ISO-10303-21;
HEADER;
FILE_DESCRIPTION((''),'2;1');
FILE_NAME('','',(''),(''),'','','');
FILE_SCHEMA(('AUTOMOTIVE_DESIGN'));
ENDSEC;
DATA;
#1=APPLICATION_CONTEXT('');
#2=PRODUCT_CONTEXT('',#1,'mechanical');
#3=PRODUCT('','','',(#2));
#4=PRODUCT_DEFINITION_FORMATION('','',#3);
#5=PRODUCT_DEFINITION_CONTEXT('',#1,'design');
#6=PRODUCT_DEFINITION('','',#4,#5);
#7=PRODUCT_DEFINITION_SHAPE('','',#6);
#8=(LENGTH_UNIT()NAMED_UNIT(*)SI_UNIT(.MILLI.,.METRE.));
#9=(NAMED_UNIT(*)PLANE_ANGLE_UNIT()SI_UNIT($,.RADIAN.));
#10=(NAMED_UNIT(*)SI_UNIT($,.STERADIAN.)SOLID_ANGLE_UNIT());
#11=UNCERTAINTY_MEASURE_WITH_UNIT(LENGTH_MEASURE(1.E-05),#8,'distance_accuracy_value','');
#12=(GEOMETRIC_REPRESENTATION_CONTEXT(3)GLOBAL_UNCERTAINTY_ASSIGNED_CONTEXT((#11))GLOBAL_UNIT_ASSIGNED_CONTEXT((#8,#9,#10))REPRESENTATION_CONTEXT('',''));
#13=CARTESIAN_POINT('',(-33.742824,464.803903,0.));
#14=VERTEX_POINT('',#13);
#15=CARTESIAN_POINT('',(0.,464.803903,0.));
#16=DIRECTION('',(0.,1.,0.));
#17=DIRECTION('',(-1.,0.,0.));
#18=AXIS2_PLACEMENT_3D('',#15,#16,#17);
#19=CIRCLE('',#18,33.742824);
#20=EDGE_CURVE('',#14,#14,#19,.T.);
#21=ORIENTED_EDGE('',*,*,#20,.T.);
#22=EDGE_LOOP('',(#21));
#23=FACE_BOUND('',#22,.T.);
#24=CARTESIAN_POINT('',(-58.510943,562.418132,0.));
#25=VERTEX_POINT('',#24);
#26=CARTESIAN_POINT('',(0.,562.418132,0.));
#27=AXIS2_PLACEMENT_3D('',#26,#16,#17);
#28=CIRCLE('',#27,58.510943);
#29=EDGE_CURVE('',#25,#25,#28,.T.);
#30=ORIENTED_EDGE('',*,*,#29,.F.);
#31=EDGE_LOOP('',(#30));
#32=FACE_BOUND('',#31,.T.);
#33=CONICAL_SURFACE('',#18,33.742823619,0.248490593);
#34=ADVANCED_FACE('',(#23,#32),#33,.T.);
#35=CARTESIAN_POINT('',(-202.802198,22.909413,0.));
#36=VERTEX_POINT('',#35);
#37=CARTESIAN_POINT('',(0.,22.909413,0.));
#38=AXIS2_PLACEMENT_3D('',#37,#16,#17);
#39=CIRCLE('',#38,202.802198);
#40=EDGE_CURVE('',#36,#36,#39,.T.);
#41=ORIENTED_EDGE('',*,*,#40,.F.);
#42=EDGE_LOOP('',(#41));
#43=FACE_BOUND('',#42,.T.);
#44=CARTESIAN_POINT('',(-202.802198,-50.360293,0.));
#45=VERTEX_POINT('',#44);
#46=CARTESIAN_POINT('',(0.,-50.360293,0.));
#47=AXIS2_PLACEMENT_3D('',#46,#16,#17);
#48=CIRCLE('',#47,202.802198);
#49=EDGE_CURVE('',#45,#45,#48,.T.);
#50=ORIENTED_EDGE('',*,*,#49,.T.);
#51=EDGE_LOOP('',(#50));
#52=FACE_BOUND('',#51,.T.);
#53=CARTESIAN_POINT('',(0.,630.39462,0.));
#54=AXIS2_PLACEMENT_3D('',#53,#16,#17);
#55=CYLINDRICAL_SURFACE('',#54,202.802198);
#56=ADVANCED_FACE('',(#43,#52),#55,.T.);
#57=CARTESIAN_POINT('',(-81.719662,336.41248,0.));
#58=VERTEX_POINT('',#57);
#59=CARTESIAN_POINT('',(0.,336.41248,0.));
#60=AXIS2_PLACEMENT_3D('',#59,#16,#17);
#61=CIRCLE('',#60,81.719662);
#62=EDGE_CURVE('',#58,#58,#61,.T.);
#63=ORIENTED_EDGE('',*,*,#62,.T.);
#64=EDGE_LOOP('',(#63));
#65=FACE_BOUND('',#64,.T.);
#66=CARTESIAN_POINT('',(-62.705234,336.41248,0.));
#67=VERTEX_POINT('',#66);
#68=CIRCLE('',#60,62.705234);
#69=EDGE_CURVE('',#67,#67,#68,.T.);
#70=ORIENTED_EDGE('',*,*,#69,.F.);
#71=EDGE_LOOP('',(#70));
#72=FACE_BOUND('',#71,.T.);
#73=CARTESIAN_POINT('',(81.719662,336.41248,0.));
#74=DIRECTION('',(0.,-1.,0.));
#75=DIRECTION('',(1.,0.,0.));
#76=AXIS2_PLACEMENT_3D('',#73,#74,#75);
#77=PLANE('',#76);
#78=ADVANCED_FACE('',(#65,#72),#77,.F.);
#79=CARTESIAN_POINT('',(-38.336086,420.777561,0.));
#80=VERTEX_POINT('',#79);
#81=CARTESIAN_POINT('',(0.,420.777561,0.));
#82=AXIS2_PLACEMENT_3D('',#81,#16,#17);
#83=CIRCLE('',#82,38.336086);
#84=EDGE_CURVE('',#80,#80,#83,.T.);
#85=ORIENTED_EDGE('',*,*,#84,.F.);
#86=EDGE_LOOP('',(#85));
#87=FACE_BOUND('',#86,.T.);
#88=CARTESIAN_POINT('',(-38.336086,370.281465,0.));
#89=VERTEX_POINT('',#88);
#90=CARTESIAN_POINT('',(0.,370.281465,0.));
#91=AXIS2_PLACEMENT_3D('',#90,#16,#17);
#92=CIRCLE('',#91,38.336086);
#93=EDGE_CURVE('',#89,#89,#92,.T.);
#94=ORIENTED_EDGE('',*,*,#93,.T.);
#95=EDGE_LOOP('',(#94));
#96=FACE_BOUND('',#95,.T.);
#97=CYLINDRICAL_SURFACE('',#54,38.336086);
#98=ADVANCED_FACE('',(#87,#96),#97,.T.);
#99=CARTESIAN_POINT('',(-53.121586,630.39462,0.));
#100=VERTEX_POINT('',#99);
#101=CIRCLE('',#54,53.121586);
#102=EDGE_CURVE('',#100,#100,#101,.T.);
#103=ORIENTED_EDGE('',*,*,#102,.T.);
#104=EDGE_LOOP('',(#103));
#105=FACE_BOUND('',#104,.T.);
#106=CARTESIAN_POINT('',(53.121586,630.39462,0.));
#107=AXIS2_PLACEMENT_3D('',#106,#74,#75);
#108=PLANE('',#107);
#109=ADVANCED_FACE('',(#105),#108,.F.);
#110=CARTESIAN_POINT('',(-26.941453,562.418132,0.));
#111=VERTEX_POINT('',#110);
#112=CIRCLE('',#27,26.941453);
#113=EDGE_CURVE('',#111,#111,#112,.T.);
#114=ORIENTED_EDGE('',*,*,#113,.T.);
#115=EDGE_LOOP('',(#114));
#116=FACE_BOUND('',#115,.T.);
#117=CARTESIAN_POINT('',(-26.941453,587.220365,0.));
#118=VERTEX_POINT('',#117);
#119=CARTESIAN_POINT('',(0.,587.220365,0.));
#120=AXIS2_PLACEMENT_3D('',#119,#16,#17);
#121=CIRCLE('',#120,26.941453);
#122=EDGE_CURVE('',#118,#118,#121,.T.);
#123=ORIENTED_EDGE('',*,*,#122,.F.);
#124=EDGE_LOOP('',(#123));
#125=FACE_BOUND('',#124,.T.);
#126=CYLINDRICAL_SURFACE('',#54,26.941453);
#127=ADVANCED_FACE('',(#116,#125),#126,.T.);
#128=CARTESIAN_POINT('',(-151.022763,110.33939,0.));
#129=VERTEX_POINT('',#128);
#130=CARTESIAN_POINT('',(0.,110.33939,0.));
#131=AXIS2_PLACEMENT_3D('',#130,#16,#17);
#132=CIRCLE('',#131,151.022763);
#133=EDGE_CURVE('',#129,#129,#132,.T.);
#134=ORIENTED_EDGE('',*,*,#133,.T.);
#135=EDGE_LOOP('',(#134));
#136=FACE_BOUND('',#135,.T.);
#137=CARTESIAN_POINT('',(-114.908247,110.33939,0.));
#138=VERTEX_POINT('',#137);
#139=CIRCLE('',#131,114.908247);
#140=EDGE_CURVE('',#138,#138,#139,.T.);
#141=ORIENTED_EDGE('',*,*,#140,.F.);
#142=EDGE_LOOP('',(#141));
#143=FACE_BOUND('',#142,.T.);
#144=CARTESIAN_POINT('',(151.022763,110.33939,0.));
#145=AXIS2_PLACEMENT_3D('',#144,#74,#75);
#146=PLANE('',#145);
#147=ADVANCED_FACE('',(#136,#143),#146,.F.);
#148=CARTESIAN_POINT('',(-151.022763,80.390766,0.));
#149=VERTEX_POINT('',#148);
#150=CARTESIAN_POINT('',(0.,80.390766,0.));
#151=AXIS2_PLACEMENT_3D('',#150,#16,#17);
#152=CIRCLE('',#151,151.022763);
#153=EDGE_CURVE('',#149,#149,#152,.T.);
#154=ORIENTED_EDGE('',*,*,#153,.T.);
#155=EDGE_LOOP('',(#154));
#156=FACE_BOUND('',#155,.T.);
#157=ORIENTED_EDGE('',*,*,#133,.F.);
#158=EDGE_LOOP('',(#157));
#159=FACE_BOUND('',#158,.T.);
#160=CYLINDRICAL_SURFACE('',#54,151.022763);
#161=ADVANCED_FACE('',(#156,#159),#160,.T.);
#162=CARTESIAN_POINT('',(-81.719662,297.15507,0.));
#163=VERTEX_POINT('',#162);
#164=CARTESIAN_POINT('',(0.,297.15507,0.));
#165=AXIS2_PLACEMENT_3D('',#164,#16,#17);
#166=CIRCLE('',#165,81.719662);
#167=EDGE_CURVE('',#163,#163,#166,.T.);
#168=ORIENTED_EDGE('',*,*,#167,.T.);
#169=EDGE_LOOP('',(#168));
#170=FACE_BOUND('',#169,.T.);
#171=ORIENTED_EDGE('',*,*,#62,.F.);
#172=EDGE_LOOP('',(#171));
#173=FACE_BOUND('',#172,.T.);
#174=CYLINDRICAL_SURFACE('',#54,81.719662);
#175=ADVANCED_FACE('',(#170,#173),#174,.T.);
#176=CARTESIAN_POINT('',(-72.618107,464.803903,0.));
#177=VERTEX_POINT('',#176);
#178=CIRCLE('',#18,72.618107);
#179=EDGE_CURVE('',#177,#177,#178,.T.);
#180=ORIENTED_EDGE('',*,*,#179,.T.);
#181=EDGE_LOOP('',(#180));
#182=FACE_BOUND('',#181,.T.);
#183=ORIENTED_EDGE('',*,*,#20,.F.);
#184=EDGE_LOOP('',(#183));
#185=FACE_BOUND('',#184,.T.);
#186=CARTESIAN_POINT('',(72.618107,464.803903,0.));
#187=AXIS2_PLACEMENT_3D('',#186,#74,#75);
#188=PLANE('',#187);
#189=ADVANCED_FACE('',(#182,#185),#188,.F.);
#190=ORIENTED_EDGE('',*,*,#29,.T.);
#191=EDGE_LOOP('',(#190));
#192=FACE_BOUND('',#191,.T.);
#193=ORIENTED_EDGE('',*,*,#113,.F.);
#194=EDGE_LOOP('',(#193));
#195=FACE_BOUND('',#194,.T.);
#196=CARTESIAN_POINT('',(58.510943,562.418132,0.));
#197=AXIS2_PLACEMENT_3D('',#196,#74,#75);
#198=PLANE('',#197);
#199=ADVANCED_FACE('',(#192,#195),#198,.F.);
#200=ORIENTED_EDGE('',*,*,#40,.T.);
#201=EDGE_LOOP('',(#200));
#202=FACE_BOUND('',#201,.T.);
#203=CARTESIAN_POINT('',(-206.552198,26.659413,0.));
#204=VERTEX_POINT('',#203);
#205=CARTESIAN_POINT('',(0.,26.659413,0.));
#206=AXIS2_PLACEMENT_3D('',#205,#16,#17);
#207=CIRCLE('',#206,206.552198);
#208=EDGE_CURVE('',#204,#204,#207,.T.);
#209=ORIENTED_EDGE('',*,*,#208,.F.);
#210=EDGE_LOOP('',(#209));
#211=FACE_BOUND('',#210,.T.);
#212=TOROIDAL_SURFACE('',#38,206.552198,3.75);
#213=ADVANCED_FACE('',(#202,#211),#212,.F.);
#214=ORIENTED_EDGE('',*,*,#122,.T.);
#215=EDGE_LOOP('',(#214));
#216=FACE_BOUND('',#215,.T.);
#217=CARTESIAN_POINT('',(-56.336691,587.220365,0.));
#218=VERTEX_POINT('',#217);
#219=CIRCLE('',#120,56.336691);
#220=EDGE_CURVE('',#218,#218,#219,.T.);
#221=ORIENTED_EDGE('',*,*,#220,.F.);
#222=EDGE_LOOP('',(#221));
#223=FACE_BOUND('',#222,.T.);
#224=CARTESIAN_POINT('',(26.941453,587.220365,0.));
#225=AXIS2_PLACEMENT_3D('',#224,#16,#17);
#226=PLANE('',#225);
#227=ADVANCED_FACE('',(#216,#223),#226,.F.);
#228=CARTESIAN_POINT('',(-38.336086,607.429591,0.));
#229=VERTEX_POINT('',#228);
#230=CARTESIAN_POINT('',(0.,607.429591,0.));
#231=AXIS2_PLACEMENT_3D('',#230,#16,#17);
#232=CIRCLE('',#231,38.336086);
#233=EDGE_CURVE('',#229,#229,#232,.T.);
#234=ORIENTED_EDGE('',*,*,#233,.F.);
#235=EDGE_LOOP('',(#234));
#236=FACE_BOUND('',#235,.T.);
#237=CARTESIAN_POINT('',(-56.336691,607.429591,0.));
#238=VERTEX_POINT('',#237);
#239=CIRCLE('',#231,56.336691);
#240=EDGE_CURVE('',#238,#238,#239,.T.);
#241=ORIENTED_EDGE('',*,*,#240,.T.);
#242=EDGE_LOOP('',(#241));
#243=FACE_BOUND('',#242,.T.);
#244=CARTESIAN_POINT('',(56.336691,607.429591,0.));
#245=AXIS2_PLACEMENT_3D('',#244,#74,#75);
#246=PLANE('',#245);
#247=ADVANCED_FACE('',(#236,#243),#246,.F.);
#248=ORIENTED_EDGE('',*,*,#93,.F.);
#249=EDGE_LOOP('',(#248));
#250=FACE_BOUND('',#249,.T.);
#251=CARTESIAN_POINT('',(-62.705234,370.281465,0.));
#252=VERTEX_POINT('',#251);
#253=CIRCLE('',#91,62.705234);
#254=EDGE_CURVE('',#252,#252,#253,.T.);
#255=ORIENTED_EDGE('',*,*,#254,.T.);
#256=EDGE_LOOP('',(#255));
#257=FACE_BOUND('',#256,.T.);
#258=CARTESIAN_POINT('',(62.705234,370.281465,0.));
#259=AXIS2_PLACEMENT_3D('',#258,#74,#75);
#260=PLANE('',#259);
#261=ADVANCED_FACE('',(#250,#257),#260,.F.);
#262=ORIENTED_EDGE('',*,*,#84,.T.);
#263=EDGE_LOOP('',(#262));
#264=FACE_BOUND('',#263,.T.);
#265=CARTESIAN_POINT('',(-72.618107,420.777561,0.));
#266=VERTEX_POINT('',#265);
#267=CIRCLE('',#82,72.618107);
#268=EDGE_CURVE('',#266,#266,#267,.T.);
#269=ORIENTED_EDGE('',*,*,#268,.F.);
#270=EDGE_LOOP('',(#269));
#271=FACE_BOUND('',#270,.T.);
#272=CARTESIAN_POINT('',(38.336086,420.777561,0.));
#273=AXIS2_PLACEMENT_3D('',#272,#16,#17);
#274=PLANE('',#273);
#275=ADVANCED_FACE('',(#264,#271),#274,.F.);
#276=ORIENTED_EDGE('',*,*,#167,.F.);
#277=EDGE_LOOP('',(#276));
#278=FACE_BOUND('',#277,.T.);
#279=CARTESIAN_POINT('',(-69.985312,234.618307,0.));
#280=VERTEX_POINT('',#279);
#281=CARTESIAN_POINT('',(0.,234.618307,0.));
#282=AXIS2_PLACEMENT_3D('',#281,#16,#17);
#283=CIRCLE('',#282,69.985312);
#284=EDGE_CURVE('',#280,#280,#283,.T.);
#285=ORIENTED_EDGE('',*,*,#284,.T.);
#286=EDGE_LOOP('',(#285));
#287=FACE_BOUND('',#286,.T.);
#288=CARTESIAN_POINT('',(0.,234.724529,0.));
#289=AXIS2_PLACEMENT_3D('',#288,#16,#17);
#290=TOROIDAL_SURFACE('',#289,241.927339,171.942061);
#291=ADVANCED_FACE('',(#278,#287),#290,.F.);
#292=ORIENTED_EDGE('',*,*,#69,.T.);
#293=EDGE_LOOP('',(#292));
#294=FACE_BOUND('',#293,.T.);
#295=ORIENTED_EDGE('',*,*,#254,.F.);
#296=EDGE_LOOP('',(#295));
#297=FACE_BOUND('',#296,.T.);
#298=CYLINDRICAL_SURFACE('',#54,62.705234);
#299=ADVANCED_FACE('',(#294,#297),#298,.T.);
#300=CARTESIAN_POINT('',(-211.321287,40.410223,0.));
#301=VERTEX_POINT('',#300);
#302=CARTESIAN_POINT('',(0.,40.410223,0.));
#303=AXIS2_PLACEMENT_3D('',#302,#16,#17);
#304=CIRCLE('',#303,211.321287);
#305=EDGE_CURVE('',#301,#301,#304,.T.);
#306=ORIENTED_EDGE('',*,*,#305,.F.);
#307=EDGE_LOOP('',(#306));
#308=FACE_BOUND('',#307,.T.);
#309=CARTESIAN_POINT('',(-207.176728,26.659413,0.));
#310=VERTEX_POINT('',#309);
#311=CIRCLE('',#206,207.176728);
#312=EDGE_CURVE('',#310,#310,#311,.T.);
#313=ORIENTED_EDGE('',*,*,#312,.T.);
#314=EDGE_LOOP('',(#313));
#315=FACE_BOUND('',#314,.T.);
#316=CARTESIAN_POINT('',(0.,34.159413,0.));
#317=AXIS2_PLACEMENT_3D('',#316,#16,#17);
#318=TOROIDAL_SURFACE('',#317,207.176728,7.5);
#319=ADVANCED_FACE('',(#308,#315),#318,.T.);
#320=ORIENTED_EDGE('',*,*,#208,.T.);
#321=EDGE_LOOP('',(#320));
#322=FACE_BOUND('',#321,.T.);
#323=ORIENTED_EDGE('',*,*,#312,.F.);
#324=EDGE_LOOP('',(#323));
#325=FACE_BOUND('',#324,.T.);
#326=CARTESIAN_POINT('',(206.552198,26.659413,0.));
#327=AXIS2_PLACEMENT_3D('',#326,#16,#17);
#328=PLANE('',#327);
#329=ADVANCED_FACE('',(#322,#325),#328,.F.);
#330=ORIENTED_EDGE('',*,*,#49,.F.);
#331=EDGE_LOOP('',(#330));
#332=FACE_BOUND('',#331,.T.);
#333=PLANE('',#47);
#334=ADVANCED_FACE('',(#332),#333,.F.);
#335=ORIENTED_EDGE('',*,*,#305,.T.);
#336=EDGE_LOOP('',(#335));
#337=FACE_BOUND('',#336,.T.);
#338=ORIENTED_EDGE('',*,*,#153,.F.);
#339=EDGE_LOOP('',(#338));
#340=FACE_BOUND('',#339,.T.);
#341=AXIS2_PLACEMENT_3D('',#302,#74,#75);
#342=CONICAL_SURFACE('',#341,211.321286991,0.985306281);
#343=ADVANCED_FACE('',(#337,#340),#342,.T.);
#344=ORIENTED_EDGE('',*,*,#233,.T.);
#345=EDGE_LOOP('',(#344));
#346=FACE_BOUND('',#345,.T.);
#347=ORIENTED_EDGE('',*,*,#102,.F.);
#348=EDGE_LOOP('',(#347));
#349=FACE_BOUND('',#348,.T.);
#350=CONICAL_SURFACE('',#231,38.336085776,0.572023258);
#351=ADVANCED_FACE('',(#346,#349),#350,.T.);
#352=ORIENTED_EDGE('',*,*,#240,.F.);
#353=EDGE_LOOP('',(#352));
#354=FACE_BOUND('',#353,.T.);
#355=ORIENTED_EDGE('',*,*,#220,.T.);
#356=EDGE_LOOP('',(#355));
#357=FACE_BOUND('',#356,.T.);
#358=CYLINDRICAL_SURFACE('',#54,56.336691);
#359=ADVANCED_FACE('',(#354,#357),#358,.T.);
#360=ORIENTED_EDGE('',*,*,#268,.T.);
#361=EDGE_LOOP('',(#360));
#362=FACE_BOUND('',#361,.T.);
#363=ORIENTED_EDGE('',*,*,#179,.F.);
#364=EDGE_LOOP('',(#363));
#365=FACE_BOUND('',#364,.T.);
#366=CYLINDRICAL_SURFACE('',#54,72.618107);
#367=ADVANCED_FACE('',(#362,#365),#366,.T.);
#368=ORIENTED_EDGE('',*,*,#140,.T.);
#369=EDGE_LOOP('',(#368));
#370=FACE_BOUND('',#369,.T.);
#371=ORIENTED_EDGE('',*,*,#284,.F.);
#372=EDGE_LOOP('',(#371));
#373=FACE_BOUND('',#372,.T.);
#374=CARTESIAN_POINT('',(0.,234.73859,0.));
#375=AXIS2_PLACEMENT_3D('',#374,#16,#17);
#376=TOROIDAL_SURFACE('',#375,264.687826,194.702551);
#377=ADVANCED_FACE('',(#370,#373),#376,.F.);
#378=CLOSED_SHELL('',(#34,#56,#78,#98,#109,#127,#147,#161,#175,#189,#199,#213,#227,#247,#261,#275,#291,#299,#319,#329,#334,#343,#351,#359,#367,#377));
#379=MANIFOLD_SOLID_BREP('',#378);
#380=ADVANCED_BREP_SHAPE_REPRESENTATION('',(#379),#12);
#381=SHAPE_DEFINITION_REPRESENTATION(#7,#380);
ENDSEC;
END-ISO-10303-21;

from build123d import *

# Parameters (mm, degrees)
SCALE_1_SCALE = 1.5


with BuildPart() as part:
    # 草圖2 → 旋轉1 (revolve)
    with BuildSketch(Plane.XY, mode=Mode.PRIVATE) as revolve_1_sk:
        with BuildLine():
            Line((0, 0), (135.201465244, 0))
            Line((135.201465244, 0), (135.201465244, 48.846470305))
            ThreePointArc((135.201465244, 48.846470305), (135.933698291, 50.614237258), (137.701465244, 51.346470305))
            Line((137.701465244, 51.346470305), (138.117818628, 51.346470305))
            ThreePointArc((138.117818628, 51.346470305), (142.905095232, 54.903562575), (140.880857994, 60.513677218))
            Line((140.880857994, 60.513677218), (100.681841945, 87.167372643))
            Line((100.681841945, 87.167372643), (100.681841945, 107.133121487))
            Line((100.681841945, 107.133121487), (76.60549775, 107.133121487))
            ThreePointArc((76.60549775, 107.133121487), (54.387004145, 145.940882587), (46.656874484, 189.985733309))
            ThreePointArc((46.656874484, 189.985733309), (48.623022714, 211.196335783), (54.479774894, 231.676908287))
            Line((54.479774894, 231.676908287), (54.479774894, 257.848515079))
            Line((54.479774894, 257.848515079), (41.803489055, 257.848515079))
            Line((41.803489055, 257.848515079), (41.803489055, 280.427838471))
            Line((41.803489055, 280.427838471), (25.557390517, 280.427838471))
            Line((25.557390517, 280.427838471), (25.557390517, 314.091902385))
            Line((25.557390517, 314.091902385), (48.412071511, 314.091902385))
            Line((48.412071511, 314.091902385), (48.412071511, 343.442796825))
            Line((48.412071511, 343.442796825), (22.495215746, 343.442796825))
            Line((22.495215746, 343.442796825), (39.007295277, 408.518950092))
            Line((39.007295277, 408.518950092), (17.96096835, 408.518950092))
            Line((17.96096835, 408.518950092), (17.96096835, 425.053771457))
            Line((17.96096835, 425.053771457), (37.557793671, 425.053771457))
            Line((37.557793671, 425.053771457), (37.557793671, 438.526588864))
            Line((37.557793671, 438.526588864), (25.557390517, 438.526588864))
            Line((25.557390517, 438.526588864), (35.414390901, 453.836608646))
            Line((35.414390901, 453.836608646), (0, 453.836608646))
            Line((0, 453.836608646), (0, 0))
        make_face()
    revolve(revolve_1_sk.sketch.rotate(Axis((0, 453.836608646, 0), (0, -1, 0)), 180), axis=Axis((0, 453.836608646, 0), (0, -1, 0)))


with BuildPart() as part_1:
    # 縮放比例1: scaled about (0, 100.72058529, 0)
    add(part.part.scale(SCALE_1_SCALE).moved(Location((0, -50.360292645, 0))))


solid = part_1.part
